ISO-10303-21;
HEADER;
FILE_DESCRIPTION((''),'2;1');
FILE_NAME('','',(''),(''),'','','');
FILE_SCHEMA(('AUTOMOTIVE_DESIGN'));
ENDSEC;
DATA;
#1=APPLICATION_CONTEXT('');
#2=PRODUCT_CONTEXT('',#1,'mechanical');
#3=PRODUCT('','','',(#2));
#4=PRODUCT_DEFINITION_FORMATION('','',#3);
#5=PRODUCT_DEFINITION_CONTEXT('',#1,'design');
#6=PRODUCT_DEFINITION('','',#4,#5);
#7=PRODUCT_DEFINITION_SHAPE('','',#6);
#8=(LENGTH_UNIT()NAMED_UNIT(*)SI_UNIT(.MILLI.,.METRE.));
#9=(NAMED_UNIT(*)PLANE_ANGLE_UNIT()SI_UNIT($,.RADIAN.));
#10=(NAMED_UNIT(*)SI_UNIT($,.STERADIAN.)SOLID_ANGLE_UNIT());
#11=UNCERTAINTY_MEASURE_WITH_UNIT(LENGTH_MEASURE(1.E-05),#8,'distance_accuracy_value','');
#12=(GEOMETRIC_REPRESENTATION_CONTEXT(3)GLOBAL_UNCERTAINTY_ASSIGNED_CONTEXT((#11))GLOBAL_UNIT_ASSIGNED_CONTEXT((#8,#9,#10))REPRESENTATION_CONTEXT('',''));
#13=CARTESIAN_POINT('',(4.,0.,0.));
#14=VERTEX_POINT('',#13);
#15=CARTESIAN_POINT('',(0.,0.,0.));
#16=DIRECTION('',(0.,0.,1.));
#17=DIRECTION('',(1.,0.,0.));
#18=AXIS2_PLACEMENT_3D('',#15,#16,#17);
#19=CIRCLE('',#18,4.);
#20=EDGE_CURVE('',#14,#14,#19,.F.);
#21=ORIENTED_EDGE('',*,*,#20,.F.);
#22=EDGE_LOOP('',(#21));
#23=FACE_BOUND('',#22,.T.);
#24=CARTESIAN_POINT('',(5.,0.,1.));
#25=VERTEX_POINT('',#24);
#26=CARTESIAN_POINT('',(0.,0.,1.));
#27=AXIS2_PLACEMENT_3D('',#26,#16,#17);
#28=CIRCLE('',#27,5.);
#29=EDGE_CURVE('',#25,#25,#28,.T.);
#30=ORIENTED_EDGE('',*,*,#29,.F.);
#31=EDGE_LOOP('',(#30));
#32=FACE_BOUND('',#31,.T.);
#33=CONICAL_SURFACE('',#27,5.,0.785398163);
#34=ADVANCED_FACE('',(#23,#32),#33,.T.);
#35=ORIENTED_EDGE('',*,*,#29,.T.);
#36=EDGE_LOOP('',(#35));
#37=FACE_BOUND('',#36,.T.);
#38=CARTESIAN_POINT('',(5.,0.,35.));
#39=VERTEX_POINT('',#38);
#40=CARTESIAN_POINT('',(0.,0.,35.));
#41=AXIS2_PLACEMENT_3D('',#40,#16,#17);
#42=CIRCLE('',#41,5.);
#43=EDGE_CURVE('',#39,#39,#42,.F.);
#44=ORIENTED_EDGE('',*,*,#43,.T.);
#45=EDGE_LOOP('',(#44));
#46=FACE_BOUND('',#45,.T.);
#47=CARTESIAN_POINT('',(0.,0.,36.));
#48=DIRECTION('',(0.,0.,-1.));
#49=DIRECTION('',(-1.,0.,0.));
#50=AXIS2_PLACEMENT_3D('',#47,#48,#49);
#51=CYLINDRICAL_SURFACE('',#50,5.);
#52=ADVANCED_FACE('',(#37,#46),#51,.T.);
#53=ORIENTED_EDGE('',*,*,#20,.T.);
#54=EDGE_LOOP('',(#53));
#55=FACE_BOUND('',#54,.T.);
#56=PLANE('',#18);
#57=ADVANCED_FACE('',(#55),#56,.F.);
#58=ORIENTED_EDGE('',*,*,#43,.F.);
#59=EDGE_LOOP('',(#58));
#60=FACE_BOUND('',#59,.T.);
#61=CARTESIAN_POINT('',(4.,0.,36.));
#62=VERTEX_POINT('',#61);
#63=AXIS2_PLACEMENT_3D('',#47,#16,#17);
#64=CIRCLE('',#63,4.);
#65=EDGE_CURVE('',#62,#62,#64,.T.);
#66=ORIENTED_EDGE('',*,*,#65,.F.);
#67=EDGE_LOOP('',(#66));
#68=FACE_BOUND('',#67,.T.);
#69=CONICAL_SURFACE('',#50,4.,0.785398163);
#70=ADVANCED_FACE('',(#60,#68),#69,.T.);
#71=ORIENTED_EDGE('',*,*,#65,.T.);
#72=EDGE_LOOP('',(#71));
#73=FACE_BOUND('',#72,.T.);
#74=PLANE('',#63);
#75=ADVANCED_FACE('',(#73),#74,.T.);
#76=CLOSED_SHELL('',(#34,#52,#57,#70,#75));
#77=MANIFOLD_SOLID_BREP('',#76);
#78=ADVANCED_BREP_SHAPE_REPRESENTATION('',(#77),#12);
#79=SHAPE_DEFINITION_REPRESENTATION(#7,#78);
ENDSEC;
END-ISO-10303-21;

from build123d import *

# Parameters (mm, degrees)
SKETCH2_R           = 5
BOSS_EXTRUDE1_DEPTH = 36
CHAMFER1_SIZE       = 1


with BuildPart() as part:
    # Sketch2 → Boss-Extrude1 (new body)
    with BuildSketch(Plane.XY):
        Circle(SKETCH2_R)
    extrude(amount=BOSS_EXTRUDE1_DEPTH)

    # Chamfer1
    chamfer1_edges = [part.edges().sort_by_distance(p)[0] for p in [
        (-5, 0, 0),
        (-5, 0, 36),
    ]]
    chamfer(chamfer1_edges, length=CHAMFER1_SIZE)


solid = part.part
